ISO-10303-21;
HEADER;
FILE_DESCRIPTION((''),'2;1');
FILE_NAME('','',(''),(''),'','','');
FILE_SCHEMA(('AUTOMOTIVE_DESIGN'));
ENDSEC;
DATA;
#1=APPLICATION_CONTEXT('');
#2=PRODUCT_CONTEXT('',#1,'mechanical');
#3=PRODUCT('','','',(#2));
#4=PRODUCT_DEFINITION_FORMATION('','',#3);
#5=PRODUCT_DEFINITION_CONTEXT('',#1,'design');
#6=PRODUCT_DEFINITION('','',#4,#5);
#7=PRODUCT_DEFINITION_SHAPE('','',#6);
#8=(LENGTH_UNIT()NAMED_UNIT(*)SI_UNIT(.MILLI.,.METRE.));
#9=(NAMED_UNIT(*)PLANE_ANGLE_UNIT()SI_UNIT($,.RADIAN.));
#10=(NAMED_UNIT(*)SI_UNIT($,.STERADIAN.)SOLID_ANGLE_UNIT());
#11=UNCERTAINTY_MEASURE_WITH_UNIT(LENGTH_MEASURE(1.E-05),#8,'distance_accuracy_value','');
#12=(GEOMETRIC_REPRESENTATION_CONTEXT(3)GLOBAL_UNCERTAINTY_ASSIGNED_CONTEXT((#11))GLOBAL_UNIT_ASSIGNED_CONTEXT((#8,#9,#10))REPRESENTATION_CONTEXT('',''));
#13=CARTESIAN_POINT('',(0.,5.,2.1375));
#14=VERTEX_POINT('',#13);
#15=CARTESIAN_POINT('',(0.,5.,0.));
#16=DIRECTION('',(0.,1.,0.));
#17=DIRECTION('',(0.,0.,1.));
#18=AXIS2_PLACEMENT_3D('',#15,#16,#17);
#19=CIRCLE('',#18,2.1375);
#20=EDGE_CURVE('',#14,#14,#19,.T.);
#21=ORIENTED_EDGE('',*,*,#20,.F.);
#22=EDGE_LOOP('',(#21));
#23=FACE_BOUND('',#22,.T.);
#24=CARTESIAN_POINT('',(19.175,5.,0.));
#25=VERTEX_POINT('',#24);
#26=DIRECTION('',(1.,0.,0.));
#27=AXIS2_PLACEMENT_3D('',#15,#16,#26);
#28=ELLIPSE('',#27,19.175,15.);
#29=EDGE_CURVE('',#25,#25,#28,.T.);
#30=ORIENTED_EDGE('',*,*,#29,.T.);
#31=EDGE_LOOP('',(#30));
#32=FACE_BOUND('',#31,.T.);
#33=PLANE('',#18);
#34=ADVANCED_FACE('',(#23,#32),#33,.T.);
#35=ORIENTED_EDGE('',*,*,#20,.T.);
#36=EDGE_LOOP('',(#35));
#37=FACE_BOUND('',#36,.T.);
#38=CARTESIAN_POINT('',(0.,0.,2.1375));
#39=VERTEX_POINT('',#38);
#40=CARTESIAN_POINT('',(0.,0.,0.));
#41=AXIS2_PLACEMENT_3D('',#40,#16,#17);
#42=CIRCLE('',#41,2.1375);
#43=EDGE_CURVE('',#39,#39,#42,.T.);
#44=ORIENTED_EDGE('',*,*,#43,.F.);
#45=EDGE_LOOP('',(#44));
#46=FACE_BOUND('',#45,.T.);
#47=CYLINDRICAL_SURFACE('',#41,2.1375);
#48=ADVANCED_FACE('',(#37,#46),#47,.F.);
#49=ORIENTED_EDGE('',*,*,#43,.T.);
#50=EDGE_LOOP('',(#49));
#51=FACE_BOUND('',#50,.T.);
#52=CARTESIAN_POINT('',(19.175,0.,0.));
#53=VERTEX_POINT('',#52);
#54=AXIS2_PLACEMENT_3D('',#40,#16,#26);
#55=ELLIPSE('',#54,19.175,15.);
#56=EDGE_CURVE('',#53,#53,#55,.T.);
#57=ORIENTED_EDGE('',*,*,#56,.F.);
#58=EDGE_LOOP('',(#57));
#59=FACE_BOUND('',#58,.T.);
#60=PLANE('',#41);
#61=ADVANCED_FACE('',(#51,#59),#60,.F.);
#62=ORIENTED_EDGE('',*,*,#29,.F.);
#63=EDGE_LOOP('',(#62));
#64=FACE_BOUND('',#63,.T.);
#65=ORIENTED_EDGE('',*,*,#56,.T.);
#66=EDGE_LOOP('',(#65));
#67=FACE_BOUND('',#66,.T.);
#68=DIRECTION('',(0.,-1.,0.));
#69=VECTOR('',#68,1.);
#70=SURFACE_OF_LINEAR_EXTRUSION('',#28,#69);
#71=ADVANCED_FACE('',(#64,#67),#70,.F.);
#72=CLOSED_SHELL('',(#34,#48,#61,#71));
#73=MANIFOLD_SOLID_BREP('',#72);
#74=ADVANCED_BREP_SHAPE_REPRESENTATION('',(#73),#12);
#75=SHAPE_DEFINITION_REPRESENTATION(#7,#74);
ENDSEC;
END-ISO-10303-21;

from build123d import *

# Parameters (mm, degrees)
SKETCH1_RX          = 19.175
SKETCH1_RY          = 15
BOSS_EXTRUDE1_DEPTH = 5
SKETCH2_R           = 2.1375
CUT_EXTRUDE1_DEPTH  = 5


with BuildPart() as part:
    # Sketch1 → Boss-Extrude1 (new body)
    with BuildSketch(Plane(origin=(0, 0, 0), x_dir=(1, 0, 0), z_dir=(0, 1, 0))):
        with Locations((0, 0)):
            Ellipse(SKETCH1_RX, SKETCH1_RY)
    extrude(amount=BOSS_EXTRUDE1_DEPTH)

    # Sketch2 → Cut-Extrude1 (cut)
    with BuildSketch(Plane(origin=(0, 5, 0), x_dir=(1, 0, 0), z_dir=(0, 1, 0))):
        with Locations(Location((0, 0, 0), (0, 0, 270))):
            Circle(SKETCH2_R)
    extrude(amount=-CUT_EXTRUDE1_DEPTH, mode=Mode.SUBTRACT)


solid = part.part
